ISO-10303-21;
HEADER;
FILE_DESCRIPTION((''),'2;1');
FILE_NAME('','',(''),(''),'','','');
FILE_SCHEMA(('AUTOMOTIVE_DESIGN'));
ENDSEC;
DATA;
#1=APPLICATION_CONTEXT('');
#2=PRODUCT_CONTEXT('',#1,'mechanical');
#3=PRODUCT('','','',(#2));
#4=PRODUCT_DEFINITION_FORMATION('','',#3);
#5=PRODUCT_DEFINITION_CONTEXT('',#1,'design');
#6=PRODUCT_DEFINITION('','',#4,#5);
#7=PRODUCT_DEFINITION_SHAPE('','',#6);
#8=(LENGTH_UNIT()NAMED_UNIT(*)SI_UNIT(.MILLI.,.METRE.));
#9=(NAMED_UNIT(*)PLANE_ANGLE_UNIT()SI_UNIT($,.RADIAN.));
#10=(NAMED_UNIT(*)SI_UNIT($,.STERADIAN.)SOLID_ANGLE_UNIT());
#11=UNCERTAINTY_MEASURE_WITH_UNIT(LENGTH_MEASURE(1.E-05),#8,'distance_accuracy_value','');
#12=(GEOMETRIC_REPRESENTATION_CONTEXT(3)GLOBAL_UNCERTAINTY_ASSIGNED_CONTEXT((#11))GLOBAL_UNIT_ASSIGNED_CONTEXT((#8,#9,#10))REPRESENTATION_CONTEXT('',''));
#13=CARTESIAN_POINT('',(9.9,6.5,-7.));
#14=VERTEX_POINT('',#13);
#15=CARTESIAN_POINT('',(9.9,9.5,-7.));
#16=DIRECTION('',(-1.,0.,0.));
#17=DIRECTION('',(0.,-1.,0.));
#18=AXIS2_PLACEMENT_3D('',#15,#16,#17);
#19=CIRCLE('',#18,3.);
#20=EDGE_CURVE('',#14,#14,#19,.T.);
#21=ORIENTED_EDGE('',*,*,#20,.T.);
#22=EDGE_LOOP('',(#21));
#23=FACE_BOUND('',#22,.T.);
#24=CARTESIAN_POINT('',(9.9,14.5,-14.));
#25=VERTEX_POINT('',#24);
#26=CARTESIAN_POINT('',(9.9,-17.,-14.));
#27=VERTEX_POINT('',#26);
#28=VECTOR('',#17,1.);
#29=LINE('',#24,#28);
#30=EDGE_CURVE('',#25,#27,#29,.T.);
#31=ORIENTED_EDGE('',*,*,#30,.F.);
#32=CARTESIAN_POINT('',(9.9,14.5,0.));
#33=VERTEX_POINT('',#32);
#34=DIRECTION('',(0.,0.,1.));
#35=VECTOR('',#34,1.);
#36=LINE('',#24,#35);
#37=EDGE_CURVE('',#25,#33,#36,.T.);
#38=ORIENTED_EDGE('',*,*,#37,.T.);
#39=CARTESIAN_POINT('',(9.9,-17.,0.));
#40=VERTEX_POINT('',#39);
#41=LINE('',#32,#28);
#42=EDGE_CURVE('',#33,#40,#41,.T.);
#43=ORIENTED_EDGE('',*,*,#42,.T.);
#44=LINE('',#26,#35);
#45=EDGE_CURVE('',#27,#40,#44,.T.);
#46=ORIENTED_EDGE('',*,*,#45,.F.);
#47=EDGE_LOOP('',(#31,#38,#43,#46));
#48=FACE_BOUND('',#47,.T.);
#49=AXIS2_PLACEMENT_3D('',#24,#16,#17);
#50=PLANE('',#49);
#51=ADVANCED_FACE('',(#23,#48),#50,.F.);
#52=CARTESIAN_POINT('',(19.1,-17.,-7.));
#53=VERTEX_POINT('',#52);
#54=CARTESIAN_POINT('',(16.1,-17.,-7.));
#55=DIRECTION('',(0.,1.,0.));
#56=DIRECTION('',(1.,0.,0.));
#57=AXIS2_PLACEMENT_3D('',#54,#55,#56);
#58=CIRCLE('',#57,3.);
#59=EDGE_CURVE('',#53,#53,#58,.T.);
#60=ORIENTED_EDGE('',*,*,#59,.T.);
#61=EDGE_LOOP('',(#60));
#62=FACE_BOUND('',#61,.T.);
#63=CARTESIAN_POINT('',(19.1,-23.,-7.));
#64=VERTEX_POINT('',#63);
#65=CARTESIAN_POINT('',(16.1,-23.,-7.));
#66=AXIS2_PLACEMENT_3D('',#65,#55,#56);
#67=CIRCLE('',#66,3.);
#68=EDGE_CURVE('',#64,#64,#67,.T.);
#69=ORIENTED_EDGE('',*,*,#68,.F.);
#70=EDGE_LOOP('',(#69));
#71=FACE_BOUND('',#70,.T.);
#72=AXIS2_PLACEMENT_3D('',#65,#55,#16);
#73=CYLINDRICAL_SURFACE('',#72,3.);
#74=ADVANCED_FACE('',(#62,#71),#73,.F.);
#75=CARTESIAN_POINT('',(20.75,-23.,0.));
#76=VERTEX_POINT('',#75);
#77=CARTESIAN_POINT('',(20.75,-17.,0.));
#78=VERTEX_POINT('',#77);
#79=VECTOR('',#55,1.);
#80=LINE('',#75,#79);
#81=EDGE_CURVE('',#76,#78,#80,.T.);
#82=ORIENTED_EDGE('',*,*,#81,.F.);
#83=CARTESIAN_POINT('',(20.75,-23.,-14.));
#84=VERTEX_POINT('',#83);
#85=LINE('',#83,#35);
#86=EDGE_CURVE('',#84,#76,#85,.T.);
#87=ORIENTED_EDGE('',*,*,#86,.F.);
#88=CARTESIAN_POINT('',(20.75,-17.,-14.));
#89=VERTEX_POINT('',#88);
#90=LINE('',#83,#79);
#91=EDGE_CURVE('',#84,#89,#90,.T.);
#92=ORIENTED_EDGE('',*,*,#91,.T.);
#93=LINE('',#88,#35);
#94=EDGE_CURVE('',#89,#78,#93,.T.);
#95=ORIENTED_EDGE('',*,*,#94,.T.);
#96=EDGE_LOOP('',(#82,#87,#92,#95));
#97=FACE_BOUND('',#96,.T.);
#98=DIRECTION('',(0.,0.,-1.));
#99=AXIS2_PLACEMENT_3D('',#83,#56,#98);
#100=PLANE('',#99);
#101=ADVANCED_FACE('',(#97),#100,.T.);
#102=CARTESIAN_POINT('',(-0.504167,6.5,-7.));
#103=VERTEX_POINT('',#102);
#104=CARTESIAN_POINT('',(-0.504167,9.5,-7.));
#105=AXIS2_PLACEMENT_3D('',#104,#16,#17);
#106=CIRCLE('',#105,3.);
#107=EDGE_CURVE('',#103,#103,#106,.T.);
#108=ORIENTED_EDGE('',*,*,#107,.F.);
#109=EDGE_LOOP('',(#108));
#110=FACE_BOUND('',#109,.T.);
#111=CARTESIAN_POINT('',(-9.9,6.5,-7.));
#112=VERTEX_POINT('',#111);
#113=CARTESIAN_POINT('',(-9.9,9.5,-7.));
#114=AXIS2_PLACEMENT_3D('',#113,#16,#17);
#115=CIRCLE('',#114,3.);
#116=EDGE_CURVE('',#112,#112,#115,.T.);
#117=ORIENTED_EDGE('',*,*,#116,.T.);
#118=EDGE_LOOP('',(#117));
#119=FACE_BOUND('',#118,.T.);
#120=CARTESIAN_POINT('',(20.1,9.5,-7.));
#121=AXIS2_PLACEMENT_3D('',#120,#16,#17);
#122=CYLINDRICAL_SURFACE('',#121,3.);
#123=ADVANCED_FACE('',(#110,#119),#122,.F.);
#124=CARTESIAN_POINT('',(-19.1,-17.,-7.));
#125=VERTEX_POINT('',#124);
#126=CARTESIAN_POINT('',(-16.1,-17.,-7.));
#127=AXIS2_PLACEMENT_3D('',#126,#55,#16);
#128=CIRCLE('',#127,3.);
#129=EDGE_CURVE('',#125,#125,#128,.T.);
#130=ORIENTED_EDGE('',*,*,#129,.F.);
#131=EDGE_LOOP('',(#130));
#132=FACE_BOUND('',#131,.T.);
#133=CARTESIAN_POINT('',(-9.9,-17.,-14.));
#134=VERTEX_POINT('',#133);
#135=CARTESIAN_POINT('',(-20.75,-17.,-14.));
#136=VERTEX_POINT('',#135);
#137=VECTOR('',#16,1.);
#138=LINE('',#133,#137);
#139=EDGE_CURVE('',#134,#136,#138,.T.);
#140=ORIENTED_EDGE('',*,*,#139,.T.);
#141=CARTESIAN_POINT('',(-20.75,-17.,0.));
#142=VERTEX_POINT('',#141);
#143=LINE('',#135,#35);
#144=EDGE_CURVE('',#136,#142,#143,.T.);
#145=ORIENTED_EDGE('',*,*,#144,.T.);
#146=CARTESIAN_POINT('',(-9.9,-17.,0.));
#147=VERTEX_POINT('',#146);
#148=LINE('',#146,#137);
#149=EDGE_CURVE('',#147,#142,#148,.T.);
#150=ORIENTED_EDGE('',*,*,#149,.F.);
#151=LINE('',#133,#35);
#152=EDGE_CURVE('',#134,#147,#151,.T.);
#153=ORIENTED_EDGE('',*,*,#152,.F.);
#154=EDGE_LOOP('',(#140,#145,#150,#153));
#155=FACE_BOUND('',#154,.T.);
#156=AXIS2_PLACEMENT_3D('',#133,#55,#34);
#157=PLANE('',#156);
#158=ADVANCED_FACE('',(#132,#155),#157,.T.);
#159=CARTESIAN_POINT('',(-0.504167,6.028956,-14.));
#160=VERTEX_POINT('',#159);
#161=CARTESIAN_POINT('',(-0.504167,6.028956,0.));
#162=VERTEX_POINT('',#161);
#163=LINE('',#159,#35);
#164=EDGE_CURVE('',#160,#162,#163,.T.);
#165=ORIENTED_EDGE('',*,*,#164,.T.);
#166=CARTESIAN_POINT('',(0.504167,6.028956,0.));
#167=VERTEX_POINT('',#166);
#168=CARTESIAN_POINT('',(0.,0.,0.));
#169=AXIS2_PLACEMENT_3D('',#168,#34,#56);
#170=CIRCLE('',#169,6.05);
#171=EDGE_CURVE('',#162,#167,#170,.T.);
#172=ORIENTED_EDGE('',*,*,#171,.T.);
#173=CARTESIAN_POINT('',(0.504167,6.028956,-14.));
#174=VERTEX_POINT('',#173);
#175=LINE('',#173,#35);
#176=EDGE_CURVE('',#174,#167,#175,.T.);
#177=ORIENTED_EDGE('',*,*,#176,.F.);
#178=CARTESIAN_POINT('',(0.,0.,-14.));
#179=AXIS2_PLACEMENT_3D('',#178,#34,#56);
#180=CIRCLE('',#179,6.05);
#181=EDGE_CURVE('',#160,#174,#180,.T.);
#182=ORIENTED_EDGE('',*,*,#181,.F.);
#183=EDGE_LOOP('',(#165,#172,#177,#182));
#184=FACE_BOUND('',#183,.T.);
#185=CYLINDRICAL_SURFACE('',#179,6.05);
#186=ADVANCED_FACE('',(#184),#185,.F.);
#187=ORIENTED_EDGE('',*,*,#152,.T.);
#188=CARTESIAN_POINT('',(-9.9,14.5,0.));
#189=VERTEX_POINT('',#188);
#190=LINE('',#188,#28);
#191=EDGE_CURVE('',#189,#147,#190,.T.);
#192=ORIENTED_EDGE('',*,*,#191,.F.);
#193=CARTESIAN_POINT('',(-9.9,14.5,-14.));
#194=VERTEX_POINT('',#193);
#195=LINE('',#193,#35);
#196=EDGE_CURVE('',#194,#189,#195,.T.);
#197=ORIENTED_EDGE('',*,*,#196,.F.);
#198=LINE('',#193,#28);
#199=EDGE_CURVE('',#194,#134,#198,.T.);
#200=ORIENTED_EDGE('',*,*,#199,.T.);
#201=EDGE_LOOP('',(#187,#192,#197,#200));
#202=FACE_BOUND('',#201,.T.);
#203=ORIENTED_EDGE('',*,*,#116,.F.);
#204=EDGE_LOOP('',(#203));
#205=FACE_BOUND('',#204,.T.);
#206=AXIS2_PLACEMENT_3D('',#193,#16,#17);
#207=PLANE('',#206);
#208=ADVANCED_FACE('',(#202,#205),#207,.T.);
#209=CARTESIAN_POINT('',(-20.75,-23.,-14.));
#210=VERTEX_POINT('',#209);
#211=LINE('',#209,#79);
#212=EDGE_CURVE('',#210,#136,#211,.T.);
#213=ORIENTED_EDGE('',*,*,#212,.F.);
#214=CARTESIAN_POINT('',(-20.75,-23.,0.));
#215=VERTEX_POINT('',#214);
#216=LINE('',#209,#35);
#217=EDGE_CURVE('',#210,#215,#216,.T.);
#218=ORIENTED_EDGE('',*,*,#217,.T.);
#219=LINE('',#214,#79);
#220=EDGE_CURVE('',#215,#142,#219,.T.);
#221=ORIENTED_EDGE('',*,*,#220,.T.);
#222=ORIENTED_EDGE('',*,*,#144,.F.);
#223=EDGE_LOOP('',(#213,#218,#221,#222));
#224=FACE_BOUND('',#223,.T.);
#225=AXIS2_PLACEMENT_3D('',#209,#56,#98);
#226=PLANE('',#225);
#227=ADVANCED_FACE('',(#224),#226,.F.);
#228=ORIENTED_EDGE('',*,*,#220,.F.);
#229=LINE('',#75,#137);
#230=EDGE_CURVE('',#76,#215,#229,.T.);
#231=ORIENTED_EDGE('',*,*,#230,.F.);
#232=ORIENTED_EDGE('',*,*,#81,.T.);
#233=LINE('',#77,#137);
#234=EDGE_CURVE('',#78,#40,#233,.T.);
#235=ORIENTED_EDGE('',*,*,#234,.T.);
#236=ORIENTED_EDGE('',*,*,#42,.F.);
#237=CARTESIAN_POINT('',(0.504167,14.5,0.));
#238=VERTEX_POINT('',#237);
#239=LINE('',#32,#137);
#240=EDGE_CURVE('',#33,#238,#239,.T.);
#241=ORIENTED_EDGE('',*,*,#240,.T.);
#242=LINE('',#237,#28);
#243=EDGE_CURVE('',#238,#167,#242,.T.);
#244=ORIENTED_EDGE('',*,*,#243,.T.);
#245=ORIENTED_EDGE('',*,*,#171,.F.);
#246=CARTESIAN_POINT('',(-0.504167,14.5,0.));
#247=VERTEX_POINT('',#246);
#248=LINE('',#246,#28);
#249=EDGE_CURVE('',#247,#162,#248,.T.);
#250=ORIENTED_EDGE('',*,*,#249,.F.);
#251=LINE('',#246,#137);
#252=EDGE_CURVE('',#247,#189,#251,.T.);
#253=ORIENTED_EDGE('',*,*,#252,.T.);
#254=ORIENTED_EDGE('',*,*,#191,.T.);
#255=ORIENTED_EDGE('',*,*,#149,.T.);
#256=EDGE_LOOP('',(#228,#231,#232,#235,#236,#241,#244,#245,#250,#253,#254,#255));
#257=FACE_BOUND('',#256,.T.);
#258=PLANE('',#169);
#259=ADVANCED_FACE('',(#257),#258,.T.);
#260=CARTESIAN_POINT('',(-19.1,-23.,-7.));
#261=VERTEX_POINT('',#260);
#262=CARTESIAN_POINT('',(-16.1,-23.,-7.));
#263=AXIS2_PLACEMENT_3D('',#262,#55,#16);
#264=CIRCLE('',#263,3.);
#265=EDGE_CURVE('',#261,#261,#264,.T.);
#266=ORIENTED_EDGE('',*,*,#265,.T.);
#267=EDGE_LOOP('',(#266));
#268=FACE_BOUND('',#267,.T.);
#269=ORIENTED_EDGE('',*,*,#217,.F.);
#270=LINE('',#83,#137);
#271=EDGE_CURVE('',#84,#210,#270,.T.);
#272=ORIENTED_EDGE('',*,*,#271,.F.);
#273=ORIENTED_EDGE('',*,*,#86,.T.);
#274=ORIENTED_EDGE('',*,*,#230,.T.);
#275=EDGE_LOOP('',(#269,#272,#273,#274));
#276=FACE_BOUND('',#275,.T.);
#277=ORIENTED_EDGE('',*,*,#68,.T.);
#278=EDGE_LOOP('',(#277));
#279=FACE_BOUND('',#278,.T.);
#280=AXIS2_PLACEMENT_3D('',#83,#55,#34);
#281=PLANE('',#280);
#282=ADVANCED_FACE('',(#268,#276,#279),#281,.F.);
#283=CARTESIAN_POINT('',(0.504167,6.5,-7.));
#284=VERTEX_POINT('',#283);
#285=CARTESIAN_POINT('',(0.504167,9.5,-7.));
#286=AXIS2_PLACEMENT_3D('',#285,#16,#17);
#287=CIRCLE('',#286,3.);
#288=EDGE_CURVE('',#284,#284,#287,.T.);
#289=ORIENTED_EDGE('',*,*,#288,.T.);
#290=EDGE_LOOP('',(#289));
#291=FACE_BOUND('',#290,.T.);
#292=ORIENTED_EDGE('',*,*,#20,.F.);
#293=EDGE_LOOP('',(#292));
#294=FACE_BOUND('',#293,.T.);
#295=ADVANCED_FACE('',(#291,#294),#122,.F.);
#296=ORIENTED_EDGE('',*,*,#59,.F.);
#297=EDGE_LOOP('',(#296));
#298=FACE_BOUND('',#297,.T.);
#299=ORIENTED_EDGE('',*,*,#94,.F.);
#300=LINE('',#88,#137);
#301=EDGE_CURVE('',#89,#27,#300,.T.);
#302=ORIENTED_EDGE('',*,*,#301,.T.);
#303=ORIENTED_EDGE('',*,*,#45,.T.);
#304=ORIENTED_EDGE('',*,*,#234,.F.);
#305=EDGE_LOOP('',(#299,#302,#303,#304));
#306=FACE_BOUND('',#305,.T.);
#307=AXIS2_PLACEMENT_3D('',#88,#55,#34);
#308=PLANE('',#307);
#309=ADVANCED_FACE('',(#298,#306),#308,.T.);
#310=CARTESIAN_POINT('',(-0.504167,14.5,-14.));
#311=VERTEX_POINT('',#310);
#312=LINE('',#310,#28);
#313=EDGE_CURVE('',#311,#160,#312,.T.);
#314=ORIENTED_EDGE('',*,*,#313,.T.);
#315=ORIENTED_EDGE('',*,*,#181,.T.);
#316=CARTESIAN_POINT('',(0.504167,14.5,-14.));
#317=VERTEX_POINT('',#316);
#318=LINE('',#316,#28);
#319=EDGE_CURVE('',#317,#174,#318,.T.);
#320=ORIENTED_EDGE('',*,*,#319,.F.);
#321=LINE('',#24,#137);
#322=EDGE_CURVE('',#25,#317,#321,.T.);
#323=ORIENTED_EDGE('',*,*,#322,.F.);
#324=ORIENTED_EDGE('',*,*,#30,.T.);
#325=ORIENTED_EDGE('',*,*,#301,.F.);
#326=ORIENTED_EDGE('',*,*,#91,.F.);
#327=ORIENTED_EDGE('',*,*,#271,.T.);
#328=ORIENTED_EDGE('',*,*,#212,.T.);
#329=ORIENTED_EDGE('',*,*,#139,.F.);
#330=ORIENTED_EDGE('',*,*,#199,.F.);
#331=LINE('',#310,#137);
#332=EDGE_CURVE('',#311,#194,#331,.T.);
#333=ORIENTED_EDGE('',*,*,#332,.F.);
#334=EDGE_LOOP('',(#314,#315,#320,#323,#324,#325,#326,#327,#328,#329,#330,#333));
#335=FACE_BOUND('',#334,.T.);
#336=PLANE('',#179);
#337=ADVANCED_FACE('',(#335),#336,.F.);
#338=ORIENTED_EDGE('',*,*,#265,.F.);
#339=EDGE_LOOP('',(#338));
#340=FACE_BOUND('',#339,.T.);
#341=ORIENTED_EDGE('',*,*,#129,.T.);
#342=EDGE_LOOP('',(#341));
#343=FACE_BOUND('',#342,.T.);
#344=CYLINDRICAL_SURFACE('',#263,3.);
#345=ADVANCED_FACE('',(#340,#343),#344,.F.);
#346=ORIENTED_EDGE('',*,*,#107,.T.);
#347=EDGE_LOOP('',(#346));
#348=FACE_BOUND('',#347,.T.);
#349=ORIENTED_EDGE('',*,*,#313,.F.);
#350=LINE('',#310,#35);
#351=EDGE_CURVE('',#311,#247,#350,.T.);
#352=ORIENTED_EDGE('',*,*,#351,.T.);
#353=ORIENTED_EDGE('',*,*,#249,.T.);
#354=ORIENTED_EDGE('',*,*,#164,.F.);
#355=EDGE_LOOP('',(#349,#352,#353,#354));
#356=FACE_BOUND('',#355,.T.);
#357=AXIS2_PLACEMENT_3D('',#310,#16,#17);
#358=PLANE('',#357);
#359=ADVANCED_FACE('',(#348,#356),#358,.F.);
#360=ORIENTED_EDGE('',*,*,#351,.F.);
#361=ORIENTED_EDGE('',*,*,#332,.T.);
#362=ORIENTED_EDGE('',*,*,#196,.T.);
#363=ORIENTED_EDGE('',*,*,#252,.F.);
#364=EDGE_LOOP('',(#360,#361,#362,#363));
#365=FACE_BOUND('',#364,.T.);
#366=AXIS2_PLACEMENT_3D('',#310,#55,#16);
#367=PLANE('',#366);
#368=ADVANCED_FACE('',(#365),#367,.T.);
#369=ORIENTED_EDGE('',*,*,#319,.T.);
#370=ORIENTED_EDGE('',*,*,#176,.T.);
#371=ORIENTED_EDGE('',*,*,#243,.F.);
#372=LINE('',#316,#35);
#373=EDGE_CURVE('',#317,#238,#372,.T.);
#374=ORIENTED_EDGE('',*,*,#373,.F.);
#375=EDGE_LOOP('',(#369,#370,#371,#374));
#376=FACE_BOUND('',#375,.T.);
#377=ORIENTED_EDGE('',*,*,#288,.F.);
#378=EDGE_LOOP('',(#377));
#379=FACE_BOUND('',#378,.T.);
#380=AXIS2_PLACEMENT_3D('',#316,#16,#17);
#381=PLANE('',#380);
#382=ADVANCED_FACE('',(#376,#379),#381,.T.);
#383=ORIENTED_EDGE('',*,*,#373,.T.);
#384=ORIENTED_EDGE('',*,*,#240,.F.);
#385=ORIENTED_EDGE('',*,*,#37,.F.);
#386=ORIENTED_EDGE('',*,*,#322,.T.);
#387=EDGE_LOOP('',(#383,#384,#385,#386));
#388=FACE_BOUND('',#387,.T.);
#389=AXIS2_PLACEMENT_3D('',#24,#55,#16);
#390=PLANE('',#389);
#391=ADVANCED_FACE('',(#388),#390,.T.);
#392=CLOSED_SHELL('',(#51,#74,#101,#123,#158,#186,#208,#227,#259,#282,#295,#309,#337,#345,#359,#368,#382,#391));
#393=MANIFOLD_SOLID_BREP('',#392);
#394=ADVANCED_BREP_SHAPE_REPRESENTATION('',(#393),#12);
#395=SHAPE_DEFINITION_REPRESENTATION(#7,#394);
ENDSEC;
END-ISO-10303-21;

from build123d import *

# Parameters (mm, degrees)
Y_KSEKLIK_EKSTR_ZYON2_DEPTH = 14
IZIM3_R                     = 3
KES_EKSTR_ZYON1_DEPTH       = 30
IZIM4_R                     = 3
KES_EKSTR_ZYON2_DEPTH       = 41.234469053


with BuildPart() as part:
    # Çizim2 → Yükseklik-Ekstrüzyon2 (new body)
    with BuildSketch(Plane.XY):
        with BuildLine():
            Line((-0.504166667, 14.5), (-9.9, 14.5))
            Line((-9.9, 14.5), (-9.9, -17))
            Line((-9.9, -17), (-20.75, -17))
            Line((-20.75, -17), (-20.75, -23))
            Line((-20.75, -23), (20.75, -23))
            Line((20.75, -23), (20.75, -17))
            Line((20.75, -17), (9.9, -17))
            Line((9.9, -17), (9.9, 14.5))
            Line((9.9, 14.5), (0.504166667, 14.5))
            Line((0.504166667, 14.5), (0.504166667, 6.028956458))
            ThreePointArc((0.504166667, 6.028956458), (0, -6.05), (-0.504166667, 6.028956458))
            Line((-0.504166667, 6.028956458), (-0.504166667, 14.5))
        make_face()
    extrude(amount=-Y_KSEKLIK_EKSTR_ZYON2_DEPTH)

    # Çizim3 → Kes-Ekstrüzyon1 (cut)
    with BuildSketch(Plane.ZY.offset(9.9)):
        with Locations(Location((-7, 9.5, 0), (0, 0, 270))):
            Circle(IZIM3_R)
    extrude(amount=-KES_EKSTR_ZYON1_DEPTH, mode=Mode.SUBTRACT)

    # Çizim4 → Kes-Ekstrüzyon2 (cut, through all)
    with BuildSketch(Plane(origin=(0, -17, 0), x_dir=(1, 0, 0), z_dir=(0, 1, 0))):
        with Locations(Location((-16.1, 7, 0), (0, 0, 180))):
            Circle(IZIM4_R)
        with Locations((16.1, 7)):
            Circle(IZIM4_R)
    extrude(amount=-KES_EKSTR_ZYON2_DEPTH, mode=Mode.SUBTRACT)


solid = part.part
